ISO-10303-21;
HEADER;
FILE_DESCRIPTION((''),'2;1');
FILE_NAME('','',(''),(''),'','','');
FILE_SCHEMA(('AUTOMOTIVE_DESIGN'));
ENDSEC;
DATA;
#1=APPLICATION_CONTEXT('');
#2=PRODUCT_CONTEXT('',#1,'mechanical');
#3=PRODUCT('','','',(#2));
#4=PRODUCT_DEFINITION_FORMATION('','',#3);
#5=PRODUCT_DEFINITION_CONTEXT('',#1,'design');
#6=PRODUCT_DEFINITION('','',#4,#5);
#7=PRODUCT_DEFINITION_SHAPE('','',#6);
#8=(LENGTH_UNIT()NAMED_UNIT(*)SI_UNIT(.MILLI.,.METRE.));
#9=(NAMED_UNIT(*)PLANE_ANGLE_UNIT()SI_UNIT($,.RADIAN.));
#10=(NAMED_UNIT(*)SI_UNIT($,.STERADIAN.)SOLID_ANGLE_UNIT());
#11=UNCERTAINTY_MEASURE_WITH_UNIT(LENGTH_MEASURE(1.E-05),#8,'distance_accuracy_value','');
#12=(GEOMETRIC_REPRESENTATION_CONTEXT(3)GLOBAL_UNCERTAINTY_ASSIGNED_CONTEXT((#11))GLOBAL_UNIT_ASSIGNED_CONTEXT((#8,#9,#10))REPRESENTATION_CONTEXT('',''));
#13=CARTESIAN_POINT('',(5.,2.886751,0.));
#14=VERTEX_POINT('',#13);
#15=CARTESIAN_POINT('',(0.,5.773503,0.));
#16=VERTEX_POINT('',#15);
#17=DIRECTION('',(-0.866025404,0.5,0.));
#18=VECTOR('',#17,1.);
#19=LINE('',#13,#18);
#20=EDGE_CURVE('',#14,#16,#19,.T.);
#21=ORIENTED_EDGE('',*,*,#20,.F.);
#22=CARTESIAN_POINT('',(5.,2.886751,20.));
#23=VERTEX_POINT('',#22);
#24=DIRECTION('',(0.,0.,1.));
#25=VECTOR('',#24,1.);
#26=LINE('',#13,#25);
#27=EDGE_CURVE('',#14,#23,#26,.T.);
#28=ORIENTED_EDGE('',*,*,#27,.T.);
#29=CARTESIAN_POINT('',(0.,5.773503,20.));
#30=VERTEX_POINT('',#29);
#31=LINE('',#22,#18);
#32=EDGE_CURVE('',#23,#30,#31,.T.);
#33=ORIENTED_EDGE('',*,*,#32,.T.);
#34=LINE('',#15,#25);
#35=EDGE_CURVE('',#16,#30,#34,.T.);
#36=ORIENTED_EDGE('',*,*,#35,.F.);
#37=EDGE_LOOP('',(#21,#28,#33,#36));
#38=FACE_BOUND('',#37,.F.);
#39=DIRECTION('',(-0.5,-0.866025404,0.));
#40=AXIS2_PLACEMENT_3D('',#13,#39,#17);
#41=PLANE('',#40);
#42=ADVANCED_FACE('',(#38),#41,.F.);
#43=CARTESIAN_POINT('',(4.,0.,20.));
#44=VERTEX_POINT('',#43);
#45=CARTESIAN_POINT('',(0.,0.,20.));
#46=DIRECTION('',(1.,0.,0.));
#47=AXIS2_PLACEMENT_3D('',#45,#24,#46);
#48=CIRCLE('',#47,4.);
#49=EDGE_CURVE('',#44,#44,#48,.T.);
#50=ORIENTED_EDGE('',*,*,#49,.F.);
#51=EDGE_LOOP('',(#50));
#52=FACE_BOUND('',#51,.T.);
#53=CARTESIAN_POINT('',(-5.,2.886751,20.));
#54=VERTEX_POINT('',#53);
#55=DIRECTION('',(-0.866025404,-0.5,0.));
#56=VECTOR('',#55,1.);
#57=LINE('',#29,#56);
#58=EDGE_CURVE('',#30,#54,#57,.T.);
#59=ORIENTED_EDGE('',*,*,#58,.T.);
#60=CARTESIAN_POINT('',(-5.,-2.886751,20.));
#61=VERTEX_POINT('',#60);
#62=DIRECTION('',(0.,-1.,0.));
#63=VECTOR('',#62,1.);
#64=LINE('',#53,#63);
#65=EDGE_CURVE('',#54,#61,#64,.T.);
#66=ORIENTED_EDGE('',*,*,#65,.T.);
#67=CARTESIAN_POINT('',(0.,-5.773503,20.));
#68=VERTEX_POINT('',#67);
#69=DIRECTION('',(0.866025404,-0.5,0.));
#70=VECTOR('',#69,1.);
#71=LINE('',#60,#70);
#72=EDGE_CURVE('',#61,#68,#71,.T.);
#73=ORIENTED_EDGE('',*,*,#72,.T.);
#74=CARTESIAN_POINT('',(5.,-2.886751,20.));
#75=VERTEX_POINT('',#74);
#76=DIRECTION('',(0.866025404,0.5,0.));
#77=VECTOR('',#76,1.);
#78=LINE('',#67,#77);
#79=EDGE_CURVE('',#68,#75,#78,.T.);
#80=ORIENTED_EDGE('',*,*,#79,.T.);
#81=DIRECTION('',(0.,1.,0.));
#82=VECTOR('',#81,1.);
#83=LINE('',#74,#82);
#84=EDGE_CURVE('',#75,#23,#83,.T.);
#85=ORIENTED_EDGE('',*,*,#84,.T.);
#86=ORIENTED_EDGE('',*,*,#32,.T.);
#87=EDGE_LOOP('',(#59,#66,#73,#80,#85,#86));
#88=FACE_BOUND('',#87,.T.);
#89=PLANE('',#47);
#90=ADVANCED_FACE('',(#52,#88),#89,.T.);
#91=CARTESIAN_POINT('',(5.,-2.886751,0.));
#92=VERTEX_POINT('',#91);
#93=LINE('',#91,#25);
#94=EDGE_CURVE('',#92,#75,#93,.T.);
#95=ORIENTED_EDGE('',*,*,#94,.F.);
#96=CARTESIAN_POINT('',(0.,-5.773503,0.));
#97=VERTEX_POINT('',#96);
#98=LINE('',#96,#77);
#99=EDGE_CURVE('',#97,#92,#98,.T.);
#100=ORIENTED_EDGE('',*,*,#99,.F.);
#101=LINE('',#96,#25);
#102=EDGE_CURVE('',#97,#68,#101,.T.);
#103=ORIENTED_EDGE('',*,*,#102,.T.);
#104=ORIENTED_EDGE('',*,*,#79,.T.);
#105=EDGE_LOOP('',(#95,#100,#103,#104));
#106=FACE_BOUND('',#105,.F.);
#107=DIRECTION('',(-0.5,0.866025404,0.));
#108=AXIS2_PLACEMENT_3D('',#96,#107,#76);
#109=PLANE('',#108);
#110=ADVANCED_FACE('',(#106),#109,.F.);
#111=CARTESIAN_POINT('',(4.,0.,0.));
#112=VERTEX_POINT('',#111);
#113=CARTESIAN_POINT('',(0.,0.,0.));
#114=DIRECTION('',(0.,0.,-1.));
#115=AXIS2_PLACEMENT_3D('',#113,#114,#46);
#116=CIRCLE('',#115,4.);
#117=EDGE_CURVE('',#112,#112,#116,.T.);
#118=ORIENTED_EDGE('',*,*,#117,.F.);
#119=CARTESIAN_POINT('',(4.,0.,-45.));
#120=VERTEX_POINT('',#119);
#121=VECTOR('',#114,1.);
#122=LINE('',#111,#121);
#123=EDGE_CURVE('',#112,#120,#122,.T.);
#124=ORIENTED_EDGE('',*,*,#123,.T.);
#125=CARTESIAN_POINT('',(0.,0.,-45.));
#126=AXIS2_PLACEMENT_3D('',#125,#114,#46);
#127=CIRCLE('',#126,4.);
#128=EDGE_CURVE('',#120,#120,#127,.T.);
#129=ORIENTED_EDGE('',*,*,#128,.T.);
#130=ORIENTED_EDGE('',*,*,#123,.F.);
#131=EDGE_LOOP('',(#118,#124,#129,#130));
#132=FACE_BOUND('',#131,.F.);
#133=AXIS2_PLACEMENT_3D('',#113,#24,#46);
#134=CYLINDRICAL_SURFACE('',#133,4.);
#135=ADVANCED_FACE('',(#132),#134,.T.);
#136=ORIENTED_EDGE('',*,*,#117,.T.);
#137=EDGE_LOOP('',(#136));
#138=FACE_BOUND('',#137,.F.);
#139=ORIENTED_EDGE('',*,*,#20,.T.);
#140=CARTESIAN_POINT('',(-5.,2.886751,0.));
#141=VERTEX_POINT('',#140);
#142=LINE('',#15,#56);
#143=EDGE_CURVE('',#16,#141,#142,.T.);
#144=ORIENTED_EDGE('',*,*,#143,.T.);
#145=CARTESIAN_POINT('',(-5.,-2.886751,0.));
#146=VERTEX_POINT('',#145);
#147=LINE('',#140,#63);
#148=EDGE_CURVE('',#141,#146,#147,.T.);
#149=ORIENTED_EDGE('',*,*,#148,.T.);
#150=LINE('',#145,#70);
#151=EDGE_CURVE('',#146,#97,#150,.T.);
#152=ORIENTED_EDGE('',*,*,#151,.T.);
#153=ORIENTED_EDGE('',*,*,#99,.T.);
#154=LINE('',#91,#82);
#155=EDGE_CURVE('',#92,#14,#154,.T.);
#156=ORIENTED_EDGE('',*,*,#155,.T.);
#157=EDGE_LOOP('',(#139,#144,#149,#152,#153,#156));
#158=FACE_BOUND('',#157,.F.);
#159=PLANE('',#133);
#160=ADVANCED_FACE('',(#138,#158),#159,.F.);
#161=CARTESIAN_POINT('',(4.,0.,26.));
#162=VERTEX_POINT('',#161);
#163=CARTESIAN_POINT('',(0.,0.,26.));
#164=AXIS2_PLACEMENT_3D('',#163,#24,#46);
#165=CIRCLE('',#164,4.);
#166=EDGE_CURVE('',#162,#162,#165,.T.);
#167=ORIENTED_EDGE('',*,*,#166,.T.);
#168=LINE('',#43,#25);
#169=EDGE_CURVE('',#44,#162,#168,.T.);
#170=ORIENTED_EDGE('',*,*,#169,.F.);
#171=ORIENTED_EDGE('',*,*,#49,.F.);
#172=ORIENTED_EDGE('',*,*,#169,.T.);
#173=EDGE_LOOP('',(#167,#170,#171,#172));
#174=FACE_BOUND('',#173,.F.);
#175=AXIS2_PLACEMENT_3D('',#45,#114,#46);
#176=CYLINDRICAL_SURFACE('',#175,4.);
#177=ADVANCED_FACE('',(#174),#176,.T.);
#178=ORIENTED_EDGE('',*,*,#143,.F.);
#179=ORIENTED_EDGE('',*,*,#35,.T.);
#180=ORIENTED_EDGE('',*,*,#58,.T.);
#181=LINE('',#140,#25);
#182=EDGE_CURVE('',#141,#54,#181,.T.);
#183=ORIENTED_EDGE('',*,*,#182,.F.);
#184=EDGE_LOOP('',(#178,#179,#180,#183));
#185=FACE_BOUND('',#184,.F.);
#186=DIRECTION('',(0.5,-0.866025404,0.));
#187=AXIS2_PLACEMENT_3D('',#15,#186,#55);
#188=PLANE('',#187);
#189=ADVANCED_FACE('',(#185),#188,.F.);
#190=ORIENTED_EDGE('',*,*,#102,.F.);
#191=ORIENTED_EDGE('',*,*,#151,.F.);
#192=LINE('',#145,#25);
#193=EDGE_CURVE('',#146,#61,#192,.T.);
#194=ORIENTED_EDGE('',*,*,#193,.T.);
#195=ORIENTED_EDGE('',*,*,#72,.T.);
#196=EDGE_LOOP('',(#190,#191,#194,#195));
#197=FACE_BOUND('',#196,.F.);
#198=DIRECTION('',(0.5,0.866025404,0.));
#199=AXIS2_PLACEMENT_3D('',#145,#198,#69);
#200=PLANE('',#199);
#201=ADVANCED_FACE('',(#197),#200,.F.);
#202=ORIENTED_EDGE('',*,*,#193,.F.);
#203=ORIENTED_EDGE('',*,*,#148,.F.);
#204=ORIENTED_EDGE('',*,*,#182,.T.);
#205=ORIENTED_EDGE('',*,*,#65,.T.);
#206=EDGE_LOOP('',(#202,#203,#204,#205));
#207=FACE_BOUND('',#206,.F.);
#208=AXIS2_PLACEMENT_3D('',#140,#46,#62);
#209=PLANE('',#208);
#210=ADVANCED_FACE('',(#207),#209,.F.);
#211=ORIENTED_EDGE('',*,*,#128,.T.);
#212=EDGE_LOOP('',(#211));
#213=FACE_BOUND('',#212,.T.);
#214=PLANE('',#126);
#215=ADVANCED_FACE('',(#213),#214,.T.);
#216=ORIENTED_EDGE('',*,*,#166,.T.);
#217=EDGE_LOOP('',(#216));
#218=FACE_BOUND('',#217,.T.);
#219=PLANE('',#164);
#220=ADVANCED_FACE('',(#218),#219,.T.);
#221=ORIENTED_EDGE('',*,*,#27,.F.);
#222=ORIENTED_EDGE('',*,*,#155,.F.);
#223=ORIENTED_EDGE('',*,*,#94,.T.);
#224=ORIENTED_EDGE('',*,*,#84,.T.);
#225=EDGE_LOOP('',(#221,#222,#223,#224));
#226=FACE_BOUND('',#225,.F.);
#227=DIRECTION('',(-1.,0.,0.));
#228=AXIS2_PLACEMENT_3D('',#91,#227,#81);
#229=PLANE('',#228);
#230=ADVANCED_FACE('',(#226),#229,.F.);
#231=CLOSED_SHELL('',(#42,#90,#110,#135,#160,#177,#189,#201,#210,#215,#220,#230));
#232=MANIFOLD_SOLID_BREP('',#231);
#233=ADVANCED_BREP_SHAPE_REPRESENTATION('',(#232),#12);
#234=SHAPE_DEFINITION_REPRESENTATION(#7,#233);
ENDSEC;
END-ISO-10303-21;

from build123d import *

# Parameters (mm, degrees)
F1_DEPTH = 20
F2_R     = 4
F3_DEPTH = 45
F4_R     = 4
F5_DEPTH = 6


with BuildPart() as f1:
    # F0 (on Top) → F1 (new body)
    with BuildSketch(Plane.XY):
        Polygon((5, 2.8867513459), (0, 5.7735026919), (-5, 2.8867513459), (-5, -2.8867513459), (0, -5.7735026919), (5, -2.8867513459), align=None)
    extrude(amount=F1_DEPTH)

    # F2 (on face) → F3 (join)
    with BuildSketch(Plane(origin=(0, 0, 0), x_dir=(1, 0, 0), z_dir=(0, 0, -1))):
        Circle(F2_R)
    extrude(amount=F3_DEPTH)

    # F4 (on face) → F5 (join)
    with BuildSketch(Plane.XY.offset(20)):
        Circle(F4_R)
    extrude(amount=F5_DEPTH)


solid = f1.part
